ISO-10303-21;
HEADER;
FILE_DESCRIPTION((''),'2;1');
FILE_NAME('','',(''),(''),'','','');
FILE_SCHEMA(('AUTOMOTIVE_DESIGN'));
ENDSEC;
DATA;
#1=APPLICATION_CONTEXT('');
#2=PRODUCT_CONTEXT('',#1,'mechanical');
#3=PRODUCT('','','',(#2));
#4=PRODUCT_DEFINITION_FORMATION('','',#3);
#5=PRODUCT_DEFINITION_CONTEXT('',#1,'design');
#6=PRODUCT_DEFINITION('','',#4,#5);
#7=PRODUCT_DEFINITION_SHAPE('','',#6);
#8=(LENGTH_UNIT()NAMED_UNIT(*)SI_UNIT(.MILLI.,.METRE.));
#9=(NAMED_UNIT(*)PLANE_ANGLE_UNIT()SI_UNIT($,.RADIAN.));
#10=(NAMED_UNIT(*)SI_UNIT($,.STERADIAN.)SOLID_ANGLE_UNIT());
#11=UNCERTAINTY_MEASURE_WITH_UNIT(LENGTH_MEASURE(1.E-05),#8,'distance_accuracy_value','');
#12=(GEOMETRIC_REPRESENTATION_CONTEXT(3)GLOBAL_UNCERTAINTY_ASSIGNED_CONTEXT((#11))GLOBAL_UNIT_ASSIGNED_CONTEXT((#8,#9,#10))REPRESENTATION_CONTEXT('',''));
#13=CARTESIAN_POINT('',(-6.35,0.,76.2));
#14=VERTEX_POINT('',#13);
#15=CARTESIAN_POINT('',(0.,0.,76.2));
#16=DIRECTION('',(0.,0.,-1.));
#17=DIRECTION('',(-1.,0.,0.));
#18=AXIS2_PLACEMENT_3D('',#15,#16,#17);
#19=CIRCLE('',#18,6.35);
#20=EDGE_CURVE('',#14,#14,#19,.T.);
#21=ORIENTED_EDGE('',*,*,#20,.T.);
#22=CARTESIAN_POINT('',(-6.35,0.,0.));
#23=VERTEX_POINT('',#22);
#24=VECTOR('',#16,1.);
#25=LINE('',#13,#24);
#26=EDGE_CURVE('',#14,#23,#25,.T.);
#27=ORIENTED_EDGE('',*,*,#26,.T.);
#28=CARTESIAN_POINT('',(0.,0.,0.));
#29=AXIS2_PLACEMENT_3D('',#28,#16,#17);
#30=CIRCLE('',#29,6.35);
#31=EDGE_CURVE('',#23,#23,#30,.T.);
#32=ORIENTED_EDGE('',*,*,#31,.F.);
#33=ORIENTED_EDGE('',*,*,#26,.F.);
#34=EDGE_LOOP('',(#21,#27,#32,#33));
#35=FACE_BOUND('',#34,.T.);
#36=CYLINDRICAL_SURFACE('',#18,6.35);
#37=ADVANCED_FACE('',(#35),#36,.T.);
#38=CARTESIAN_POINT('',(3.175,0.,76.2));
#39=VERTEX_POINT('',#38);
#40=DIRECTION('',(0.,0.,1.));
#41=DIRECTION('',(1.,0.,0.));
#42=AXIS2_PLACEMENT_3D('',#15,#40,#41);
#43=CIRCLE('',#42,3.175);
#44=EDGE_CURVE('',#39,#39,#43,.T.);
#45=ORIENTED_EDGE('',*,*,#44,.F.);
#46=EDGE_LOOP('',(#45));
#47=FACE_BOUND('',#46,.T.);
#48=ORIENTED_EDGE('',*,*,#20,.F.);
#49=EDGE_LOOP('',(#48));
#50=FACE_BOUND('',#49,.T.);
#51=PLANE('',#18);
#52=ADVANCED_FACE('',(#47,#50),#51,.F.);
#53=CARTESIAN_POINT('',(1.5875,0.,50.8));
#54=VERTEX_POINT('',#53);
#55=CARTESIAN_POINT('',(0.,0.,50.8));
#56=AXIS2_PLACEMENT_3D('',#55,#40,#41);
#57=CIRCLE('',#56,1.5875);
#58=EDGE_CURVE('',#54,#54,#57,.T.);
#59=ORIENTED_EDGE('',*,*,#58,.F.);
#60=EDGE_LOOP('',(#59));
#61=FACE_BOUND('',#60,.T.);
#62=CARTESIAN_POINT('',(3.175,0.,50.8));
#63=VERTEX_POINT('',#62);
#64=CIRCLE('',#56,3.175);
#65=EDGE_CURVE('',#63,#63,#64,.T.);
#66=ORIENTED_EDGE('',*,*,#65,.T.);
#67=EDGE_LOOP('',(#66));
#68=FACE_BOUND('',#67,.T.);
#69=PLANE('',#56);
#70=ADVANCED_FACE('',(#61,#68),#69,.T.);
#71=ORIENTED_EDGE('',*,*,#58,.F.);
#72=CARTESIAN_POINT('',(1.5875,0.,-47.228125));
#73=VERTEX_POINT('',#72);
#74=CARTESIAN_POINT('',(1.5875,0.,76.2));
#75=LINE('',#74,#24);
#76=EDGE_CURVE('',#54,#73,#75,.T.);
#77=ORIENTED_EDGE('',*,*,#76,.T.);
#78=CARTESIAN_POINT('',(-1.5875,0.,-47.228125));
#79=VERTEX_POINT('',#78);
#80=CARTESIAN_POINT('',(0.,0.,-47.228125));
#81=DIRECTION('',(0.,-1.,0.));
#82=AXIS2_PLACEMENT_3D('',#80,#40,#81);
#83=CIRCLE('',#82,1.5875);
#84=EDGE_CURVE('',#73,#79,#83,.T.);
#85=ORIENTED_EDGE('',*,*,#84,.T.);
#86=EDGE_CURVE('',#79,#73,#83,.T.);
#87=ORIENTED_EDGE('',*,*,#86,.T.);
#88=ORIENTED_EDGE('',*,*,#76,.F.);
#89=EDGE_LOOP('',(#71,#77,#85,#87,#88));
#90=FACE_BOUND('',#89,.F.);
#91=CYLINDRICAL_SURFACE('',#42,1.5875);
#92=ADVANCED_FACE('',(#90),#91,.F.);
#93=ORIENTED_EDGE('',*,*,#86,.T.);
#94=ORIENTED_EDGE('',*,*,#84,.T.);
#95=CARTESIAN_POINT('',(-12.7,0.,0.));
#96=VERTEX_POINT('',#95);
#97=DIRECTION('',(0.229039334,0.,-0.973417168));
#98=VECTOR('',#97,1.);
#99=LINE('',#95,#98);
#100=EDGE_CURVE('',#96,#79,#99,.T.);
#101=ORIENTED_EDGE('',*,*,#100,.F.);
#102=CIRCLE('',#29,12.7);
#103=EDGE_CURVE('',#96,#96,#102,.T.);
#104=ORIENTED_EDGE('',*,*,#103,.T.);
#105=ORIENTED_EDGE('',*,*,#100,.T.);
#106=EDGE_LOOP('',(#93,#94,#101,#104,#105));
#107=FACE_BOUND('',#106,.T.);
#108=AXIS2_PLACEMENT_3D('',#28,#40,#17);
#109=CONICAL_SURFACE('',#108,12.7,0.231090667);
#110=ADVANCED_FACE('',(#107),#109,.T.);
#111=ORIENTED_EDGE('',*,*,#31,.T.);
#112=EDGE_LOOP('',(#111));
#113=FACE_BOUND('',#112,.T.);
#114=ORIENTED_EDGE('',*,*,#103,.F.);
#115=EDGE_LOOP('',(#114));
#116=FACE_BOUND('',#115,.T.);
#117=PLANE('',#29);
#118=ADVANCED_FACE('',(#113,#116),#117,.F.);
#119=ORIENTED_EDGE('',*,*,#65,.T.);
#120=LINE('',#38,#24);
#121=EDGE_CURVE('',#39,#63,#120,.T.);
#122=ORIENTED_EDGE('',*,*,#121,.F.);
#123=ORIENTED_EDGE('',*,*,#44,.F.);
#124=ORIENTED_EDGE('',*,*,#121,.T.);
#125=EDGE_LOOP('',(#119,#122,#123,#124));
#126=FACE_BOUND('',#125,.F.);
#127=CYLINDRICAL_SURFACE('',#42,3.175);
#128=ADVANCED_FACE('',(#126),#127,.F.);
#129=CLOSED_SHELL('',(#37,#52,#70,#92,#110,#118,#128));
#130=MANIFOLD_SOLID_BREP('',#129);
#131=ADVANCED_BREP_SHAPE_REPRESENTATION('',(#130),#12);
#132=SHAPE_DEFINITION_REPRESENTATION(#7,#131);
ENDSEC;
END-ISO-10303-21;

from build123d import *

# Parameters (mm, degrees)
F2_R     = 1.5875
F3_DEPTH = 130.176
F4_R     = 3.175
F5_DEPTH = 25.4


with BuildPart() as f1:
    # F0 (on Front) → F1 (revolve)
    with BuildSketch(Plane.XZ):
        Polygon((0, -53.975), (0, 0), (0, 76.2), (-6.35, 76.2), (-6.35, 0), (-12.7, 0), align=None)
    revolve(axis=Axis((0, 0, 38.1), (0, 0, -1)))

    # F2 (on face) → F3 (cut, through all)
    with BuildSketch(Plane.XY.offset(76.2)):
        Circle(F2_R)
    extrude(amount=-F3_DEPTH, mode=Mode.SUBTRACT)

    # F4 (on face) → F5 (cut)
    with BuildSketch(Plane.XY.offset(76.2)):
        Circle(F4_R)
    extrude(amount=-F5_DEPTH, mode=Mode.SUBTRACT)


solid = f1.part
